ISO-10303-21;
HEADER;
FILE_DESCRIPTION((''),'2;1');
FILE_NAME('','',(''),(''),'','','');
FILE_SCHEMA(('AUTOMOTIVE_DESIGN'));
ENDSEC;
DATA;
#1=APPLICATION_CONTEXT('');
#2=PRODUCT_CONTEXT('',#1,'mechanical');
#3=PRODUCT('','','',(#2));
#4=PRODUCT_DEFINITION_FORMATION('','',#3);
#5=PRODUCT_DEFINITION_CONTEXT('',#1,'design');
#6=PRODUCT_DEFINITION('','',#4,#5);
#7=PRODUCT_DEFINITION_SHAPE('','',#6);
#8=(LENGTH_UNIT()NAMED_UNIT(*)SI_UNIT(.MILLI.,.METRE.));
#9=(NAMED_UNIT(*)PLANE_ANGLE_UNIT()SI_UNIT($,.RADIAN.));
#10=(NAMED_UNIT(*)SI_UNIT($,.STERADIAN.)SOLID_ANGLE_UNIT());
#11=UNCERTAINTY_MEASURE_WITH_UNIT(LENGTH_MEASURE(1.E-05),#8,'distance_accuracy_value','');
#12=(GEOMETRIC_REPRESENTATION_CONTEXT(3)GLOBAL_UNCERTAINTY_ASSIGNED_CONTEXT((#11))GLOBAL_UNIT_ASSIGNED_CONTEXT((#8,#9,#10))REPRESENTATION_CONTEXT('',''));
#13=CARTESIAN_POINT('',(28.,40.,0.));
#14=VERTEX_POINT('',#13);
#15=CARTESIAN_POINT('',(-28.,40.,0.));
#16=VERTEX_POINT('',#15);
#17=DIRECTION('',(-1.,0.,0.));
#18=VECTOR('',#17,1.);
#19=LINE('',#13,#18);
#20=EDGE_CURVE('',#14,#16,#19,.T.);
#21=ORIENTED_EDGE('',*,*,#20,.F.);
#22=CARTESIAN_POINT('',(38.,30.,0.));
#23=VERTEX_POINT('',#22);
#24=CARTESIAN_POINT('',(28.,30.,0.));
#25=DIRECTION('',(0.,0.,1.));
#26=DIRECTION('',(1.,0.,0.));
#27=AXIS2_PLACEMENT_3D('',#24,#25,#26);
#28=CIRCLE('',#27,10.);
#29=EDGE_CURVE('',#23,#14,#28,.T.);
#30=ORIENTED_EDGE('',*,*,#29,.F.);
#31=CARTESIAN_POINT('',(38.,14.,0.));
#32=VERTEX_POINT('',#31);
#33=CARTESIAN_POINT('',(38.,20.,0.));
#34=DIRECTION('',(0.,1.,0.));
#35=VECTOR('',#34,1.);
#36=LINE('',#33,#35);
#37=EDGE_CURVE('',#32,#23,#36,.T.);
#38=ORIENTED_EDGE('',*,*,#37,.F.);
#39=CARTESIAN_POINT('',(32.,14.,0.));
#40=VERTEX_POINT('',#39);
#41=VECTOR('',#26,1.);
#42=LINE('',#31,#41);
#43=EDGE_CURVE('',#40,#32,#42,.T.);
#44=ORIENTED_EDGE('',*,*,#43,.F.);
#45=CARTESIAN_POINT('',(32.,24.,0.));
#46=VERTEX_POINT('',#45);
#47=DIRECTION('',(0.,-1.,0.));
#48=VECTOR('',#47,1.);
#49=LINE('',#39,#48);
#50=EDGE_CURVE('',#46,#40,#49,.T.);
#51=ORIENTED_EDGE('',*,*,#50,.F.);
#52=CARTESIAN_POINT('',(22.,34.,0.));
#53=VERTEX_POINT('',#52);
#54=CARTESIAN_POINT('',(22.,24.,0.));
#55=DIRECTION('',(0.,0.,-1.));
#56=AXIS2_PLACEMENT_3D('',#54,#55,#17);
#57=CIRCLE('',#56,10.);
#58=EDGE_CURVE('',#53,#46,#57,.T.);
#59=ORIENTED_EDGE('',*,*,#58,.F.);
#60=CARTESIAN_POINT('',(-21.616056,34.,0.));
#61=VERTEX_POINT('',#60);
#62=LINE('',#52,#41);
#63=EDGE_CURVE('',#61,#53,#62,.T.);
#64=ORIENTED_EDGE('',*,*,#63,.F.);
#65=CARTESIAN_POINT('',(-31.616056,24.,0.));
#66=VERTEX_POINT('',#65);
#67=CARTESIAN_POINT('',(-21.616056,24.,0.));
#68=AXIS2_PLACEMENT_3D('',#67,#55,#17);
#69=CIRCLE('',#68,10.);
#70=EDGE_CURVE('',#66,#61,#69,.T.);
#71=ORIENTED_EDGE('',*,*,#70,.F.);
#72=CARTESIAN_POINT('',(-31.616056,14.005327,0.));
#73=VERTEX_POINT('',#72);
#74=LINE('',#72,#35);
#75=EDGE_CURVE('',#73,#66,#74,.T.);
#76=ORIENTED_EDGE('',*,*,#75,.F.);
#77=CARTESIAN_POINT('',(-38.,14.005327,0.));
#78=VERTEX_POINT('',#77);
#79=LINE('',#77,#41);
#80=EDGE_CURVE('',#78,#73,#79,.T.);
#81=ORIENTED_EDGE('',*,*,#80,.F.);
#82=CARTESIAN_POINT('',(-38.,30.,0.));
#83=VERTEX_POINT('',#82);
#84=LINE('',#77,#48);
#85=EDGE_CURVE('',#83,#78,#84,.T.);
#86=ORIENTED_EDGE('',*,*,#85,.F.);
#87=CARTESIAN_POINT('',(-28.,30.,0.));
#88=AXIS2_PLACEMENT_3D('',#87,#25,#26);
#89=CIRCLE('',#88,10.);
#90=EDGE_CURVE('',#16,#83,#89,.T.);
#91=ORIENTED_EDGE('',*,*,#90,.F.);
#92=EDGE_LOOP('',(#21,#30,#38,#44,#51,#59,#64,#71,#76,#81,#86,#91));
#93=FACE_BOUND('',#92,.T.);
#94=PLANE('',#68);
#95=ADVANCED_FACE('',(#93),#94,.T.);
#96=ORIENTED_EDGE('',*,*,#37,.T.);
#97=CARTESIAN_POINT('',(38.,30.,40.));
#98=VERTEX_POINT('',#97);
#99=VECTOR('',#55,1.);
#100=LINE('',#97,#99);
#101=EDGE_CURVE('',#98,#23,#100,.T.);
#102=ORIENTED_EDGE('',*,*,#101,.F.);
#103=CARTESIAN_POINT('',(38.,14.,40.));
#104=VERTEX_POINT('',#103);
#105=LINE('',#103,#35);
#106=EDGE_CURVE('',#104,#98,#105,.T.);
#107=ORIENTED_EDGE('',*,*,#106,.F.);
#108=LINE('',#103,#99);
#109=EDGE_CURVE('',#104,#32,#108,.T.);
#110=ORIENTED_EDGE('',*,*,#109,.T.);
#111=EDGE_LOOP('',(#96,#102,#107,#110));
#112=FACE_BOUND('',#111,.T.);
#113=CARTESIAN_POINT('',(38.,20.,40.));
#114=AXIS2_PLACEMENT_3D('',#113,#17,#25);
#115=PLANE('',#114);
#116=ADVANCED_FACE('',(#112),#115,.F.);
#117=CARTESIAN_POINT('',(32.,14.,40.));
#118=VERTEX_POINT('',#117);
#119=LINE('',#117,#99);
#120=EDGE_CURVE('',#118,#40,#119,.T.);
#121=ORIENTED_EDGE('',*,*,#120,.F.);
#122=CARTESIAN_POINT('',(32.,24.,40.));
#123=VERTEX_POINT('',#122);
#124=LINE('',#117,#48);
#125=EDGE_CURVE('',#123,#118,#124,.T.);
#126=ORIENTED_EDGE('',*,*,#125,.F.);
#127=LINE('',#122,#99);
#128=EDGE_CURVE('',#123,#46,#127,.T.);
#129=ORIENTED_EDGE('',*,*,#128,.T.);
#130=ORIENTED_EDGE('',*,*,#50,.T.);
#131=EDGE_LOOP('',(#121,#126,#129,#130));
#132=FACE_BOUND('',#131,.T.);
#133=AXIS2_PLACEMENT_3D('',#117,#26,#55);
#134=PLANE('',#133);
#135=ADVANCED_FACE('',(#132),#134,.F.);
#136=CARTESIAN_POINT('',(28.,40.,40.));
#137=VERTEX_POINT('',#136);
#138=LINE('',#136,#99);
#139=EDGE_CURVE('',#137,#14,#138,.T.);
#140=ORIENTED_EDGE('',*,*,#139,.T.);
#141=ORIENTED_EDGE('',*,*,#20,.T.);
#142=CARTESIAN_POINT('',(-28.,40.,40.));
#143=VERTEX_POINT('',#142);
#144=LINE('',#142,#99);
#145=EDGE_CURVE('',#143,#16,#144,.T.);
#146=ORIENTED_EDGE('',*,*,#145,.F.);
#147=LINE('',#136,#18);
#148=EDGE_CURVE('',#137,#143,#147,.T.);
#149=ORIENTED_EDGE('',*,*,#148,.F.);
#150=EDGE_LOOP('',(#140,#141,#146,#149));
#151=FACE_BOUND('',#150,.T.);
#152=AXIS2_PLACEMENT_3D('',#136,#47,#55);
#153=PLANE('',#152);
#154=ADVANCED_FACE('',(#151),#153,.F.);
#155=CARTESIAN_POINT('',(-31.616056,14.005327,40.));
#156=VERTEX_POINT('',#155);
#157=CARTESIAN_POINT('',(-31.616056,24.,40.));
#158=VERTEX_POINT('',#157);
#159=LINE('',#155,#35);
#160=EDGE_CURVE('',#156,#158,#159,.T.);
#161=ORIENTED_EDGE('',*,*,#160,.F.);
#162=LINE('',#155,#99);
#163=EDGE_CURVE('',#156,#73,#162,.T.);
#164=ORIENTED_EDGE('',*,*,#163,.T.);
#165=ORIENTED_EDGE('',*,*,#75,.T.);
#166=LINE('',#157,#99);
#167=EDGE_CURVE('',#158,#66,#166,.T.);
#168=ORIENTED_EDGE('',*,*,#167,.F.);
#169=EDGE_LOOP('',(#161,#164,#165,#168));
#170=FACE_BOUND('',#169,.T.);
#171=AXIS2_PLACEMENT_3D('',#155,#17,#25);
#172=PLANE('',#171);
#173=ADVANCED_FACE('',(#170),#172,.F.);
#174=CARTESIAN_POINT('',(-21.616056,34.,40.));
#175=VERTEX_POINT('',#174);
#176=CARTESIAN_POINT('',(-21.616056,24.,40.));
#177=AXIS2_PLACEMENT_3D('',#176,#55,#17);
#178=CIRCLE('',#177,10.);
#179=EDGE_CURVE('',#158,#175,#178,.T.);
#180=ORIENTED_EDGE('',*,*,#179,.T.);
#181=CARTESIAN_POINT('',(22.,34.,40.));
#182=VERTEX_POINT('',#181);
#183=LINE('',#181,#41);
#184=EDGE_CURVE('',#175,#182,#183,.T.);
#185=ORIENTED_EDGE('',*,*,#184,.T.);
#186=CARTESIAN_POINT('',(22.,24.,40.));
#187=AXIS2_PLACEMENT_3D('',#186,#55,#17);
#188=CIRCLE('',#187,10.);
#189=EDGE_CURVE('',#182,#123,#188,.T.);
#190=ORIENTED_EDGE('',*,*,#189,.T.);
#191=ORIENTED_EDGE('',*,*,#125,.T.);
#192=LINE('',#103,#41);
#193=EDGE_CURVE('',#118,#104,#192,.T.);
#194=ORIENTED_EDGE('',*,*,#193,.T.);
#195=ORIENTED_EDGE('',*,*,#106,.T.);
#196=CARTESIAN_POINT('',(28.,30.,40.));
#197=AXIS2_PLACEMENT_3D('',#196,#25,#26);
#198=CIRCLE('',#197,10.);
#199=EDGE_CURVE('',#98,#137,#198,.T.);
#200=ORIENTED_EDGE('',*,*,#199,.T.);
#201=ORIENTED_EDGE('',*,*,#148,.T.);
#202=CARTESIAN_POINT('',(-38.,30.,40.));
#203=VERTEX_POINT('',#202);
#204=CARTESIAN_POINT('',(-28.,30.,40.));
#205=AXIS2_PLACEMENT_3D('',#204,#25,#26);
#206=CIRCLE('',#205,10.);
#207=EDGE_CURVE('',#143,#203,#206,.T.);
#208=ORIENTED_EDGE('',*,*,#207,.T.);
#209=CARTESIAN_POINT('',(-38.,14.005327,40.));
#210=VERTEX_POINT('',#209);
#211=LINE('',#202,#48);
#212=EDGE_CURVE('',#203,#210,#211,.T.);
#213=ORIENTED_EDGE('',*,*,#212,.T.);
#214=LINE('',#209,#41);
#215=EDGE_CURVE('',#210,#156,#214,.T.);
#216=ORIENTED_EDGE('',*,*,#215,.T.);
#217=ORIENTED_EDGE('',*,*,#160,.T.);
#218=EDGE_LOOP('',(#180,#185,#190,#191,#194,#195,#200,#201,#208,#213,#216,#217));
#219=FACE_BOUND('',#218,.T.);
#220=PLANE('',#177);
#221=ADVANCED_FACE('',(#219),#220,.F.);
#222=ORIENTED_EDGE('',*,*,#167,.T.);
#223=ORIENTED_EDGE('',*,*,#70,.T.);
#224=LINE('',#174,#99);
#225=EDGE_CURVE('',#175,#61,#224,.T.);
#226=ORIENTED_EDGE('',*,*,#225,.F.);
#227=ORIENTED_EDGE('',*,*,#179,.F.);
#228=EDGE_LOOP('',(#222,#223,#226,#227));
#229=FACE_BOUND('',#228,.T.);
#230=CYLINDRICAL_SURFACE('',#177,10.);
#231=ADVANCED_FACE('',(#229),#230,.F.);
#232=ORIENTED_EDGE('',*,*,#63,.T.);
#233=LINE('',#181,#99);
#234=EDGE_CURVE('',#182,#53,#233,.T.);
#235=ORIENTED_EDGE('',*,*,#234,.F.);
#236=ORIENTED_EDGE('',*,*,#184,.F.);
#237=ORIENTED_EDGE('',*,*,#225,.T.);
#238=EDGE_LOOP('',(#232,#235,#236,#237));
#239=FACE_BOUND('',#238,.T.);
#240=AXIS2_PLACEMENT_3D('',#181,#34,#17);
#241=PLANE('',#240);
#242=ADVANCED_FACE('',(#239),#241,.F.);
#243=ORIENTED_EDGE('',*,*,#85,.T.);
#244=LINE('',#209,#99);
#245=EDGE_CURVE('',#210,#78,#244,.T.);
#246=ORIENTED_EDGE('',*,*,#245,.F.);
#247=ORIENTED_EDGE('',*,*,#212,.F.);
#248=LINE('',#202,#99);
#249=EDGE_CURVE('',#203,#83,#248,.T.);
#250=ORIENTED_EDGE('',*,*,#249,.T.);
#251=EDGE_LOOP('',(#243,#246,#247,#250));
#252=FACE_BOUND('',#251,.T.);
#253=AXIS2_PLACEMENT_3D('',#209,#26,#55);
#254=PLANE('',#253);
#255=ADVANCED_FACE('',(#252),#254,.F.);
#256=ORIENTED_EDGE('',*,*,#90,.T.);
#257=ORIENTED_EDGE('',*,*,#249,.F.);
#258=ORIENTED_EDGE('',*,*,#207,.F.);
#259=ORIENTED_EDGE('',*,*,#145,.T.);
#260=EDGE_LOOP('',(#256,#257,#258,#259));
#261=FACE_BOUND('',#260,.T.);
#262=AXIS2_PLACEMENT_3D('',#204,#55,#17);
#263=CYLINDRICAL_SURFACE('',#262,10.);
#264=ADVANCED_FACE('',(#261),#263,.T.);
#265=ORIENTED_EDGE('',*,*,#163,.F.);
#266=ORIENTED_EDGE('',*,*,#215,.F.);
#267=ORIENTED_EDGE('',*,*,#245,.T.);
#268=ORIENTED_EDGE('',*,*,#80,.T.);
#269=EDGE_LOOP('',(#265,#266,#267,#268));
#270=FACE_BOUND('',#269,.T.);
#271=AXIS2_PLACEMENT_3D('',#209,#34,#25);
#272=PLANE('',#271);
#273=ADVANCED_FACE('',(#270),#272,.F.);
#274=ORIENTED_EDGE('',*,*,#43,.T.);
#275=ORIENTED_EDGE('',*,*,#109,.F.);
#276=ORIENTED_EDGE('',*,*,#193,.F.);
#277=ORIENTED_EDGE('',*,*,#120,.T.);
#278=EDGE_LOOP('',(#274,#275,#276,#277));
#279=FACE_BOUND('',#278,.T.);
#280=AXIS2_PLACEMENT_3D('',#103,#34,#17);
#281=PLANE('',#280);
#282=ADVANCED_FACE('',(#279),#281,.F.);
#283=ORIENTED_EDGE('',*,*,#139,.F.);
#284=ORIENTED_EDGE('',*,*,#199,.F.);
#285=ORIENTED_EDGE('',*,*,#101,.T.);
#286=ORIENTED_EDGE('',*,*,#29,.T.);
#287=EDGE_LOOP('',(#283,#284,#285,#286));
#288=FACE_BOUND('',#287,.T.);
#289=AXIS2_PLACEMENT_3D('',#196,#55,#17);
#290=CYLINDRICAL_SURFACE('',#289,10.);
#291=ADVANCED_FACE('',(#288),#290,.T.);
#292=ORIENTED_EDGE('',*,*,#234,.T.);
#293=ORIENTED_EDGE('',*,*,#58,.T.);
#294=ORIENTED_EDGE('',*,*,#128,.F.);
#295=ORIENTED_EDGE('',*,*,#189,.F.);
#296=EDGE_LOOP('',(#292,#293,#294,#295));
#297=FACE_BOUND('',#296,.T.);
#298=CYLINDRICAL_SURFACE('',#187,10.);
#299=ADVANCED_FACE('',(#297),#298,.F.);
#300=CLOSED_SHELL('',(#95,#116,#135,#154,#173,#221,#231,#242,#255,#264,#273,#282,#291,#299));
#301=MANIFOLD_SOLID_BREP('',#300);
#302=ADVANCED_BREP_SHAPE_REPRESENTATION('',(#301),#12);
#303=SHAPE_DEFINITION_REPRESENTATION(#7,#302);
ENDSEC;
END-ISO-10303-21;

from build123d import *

# Parameters (mm, degrees)
EXTRUDE_1_DEPTH = 40


with BuildPart() as part:
    # 草图1 → 凸台-拉伸1 (new body)
    with BuildSketch(Plane.XY):
        with BuildLine():
            Line((-37.999999813, 14.005326892), (-37.999999813, 20.009487218))
            Line((-37.999999813, 20.009487218), (-37.999999813, 30))
            ThreePointArc((-37.999999813, 30), (-35.071067625, 37.071067812), (-27.999999813, 40))
            Line((-27.999999813, 40), (28, 40))
            ThreePointArc((28, 40), (35.071067812, 37.071067812), (38, 30))
            Line((38, 30), (38, 20))
            Line((38, 20), (38, 14))
            Line((38, 14), (32, 14))
            Line((32, 14), (32, 24))
            ThreePointArc((32, 24), (29.071067812, 31.071067812), (22, 34))
            Line((22, 34), (-21.616055892, 34))
            ThreePointArc((-21.616055892, 34), (-28.687123704, 31.071067812), (-31.616055892, 24))
            Line((-31.616055892, 24), (-31.616055892, 14.005326892))
            Line((-31.616055892, 14.005326892), (-37.999999813, 14.005326892))
        make_face()
    extrude(amount=EXTRUDE_1_DEPTH)


solid = part.part
